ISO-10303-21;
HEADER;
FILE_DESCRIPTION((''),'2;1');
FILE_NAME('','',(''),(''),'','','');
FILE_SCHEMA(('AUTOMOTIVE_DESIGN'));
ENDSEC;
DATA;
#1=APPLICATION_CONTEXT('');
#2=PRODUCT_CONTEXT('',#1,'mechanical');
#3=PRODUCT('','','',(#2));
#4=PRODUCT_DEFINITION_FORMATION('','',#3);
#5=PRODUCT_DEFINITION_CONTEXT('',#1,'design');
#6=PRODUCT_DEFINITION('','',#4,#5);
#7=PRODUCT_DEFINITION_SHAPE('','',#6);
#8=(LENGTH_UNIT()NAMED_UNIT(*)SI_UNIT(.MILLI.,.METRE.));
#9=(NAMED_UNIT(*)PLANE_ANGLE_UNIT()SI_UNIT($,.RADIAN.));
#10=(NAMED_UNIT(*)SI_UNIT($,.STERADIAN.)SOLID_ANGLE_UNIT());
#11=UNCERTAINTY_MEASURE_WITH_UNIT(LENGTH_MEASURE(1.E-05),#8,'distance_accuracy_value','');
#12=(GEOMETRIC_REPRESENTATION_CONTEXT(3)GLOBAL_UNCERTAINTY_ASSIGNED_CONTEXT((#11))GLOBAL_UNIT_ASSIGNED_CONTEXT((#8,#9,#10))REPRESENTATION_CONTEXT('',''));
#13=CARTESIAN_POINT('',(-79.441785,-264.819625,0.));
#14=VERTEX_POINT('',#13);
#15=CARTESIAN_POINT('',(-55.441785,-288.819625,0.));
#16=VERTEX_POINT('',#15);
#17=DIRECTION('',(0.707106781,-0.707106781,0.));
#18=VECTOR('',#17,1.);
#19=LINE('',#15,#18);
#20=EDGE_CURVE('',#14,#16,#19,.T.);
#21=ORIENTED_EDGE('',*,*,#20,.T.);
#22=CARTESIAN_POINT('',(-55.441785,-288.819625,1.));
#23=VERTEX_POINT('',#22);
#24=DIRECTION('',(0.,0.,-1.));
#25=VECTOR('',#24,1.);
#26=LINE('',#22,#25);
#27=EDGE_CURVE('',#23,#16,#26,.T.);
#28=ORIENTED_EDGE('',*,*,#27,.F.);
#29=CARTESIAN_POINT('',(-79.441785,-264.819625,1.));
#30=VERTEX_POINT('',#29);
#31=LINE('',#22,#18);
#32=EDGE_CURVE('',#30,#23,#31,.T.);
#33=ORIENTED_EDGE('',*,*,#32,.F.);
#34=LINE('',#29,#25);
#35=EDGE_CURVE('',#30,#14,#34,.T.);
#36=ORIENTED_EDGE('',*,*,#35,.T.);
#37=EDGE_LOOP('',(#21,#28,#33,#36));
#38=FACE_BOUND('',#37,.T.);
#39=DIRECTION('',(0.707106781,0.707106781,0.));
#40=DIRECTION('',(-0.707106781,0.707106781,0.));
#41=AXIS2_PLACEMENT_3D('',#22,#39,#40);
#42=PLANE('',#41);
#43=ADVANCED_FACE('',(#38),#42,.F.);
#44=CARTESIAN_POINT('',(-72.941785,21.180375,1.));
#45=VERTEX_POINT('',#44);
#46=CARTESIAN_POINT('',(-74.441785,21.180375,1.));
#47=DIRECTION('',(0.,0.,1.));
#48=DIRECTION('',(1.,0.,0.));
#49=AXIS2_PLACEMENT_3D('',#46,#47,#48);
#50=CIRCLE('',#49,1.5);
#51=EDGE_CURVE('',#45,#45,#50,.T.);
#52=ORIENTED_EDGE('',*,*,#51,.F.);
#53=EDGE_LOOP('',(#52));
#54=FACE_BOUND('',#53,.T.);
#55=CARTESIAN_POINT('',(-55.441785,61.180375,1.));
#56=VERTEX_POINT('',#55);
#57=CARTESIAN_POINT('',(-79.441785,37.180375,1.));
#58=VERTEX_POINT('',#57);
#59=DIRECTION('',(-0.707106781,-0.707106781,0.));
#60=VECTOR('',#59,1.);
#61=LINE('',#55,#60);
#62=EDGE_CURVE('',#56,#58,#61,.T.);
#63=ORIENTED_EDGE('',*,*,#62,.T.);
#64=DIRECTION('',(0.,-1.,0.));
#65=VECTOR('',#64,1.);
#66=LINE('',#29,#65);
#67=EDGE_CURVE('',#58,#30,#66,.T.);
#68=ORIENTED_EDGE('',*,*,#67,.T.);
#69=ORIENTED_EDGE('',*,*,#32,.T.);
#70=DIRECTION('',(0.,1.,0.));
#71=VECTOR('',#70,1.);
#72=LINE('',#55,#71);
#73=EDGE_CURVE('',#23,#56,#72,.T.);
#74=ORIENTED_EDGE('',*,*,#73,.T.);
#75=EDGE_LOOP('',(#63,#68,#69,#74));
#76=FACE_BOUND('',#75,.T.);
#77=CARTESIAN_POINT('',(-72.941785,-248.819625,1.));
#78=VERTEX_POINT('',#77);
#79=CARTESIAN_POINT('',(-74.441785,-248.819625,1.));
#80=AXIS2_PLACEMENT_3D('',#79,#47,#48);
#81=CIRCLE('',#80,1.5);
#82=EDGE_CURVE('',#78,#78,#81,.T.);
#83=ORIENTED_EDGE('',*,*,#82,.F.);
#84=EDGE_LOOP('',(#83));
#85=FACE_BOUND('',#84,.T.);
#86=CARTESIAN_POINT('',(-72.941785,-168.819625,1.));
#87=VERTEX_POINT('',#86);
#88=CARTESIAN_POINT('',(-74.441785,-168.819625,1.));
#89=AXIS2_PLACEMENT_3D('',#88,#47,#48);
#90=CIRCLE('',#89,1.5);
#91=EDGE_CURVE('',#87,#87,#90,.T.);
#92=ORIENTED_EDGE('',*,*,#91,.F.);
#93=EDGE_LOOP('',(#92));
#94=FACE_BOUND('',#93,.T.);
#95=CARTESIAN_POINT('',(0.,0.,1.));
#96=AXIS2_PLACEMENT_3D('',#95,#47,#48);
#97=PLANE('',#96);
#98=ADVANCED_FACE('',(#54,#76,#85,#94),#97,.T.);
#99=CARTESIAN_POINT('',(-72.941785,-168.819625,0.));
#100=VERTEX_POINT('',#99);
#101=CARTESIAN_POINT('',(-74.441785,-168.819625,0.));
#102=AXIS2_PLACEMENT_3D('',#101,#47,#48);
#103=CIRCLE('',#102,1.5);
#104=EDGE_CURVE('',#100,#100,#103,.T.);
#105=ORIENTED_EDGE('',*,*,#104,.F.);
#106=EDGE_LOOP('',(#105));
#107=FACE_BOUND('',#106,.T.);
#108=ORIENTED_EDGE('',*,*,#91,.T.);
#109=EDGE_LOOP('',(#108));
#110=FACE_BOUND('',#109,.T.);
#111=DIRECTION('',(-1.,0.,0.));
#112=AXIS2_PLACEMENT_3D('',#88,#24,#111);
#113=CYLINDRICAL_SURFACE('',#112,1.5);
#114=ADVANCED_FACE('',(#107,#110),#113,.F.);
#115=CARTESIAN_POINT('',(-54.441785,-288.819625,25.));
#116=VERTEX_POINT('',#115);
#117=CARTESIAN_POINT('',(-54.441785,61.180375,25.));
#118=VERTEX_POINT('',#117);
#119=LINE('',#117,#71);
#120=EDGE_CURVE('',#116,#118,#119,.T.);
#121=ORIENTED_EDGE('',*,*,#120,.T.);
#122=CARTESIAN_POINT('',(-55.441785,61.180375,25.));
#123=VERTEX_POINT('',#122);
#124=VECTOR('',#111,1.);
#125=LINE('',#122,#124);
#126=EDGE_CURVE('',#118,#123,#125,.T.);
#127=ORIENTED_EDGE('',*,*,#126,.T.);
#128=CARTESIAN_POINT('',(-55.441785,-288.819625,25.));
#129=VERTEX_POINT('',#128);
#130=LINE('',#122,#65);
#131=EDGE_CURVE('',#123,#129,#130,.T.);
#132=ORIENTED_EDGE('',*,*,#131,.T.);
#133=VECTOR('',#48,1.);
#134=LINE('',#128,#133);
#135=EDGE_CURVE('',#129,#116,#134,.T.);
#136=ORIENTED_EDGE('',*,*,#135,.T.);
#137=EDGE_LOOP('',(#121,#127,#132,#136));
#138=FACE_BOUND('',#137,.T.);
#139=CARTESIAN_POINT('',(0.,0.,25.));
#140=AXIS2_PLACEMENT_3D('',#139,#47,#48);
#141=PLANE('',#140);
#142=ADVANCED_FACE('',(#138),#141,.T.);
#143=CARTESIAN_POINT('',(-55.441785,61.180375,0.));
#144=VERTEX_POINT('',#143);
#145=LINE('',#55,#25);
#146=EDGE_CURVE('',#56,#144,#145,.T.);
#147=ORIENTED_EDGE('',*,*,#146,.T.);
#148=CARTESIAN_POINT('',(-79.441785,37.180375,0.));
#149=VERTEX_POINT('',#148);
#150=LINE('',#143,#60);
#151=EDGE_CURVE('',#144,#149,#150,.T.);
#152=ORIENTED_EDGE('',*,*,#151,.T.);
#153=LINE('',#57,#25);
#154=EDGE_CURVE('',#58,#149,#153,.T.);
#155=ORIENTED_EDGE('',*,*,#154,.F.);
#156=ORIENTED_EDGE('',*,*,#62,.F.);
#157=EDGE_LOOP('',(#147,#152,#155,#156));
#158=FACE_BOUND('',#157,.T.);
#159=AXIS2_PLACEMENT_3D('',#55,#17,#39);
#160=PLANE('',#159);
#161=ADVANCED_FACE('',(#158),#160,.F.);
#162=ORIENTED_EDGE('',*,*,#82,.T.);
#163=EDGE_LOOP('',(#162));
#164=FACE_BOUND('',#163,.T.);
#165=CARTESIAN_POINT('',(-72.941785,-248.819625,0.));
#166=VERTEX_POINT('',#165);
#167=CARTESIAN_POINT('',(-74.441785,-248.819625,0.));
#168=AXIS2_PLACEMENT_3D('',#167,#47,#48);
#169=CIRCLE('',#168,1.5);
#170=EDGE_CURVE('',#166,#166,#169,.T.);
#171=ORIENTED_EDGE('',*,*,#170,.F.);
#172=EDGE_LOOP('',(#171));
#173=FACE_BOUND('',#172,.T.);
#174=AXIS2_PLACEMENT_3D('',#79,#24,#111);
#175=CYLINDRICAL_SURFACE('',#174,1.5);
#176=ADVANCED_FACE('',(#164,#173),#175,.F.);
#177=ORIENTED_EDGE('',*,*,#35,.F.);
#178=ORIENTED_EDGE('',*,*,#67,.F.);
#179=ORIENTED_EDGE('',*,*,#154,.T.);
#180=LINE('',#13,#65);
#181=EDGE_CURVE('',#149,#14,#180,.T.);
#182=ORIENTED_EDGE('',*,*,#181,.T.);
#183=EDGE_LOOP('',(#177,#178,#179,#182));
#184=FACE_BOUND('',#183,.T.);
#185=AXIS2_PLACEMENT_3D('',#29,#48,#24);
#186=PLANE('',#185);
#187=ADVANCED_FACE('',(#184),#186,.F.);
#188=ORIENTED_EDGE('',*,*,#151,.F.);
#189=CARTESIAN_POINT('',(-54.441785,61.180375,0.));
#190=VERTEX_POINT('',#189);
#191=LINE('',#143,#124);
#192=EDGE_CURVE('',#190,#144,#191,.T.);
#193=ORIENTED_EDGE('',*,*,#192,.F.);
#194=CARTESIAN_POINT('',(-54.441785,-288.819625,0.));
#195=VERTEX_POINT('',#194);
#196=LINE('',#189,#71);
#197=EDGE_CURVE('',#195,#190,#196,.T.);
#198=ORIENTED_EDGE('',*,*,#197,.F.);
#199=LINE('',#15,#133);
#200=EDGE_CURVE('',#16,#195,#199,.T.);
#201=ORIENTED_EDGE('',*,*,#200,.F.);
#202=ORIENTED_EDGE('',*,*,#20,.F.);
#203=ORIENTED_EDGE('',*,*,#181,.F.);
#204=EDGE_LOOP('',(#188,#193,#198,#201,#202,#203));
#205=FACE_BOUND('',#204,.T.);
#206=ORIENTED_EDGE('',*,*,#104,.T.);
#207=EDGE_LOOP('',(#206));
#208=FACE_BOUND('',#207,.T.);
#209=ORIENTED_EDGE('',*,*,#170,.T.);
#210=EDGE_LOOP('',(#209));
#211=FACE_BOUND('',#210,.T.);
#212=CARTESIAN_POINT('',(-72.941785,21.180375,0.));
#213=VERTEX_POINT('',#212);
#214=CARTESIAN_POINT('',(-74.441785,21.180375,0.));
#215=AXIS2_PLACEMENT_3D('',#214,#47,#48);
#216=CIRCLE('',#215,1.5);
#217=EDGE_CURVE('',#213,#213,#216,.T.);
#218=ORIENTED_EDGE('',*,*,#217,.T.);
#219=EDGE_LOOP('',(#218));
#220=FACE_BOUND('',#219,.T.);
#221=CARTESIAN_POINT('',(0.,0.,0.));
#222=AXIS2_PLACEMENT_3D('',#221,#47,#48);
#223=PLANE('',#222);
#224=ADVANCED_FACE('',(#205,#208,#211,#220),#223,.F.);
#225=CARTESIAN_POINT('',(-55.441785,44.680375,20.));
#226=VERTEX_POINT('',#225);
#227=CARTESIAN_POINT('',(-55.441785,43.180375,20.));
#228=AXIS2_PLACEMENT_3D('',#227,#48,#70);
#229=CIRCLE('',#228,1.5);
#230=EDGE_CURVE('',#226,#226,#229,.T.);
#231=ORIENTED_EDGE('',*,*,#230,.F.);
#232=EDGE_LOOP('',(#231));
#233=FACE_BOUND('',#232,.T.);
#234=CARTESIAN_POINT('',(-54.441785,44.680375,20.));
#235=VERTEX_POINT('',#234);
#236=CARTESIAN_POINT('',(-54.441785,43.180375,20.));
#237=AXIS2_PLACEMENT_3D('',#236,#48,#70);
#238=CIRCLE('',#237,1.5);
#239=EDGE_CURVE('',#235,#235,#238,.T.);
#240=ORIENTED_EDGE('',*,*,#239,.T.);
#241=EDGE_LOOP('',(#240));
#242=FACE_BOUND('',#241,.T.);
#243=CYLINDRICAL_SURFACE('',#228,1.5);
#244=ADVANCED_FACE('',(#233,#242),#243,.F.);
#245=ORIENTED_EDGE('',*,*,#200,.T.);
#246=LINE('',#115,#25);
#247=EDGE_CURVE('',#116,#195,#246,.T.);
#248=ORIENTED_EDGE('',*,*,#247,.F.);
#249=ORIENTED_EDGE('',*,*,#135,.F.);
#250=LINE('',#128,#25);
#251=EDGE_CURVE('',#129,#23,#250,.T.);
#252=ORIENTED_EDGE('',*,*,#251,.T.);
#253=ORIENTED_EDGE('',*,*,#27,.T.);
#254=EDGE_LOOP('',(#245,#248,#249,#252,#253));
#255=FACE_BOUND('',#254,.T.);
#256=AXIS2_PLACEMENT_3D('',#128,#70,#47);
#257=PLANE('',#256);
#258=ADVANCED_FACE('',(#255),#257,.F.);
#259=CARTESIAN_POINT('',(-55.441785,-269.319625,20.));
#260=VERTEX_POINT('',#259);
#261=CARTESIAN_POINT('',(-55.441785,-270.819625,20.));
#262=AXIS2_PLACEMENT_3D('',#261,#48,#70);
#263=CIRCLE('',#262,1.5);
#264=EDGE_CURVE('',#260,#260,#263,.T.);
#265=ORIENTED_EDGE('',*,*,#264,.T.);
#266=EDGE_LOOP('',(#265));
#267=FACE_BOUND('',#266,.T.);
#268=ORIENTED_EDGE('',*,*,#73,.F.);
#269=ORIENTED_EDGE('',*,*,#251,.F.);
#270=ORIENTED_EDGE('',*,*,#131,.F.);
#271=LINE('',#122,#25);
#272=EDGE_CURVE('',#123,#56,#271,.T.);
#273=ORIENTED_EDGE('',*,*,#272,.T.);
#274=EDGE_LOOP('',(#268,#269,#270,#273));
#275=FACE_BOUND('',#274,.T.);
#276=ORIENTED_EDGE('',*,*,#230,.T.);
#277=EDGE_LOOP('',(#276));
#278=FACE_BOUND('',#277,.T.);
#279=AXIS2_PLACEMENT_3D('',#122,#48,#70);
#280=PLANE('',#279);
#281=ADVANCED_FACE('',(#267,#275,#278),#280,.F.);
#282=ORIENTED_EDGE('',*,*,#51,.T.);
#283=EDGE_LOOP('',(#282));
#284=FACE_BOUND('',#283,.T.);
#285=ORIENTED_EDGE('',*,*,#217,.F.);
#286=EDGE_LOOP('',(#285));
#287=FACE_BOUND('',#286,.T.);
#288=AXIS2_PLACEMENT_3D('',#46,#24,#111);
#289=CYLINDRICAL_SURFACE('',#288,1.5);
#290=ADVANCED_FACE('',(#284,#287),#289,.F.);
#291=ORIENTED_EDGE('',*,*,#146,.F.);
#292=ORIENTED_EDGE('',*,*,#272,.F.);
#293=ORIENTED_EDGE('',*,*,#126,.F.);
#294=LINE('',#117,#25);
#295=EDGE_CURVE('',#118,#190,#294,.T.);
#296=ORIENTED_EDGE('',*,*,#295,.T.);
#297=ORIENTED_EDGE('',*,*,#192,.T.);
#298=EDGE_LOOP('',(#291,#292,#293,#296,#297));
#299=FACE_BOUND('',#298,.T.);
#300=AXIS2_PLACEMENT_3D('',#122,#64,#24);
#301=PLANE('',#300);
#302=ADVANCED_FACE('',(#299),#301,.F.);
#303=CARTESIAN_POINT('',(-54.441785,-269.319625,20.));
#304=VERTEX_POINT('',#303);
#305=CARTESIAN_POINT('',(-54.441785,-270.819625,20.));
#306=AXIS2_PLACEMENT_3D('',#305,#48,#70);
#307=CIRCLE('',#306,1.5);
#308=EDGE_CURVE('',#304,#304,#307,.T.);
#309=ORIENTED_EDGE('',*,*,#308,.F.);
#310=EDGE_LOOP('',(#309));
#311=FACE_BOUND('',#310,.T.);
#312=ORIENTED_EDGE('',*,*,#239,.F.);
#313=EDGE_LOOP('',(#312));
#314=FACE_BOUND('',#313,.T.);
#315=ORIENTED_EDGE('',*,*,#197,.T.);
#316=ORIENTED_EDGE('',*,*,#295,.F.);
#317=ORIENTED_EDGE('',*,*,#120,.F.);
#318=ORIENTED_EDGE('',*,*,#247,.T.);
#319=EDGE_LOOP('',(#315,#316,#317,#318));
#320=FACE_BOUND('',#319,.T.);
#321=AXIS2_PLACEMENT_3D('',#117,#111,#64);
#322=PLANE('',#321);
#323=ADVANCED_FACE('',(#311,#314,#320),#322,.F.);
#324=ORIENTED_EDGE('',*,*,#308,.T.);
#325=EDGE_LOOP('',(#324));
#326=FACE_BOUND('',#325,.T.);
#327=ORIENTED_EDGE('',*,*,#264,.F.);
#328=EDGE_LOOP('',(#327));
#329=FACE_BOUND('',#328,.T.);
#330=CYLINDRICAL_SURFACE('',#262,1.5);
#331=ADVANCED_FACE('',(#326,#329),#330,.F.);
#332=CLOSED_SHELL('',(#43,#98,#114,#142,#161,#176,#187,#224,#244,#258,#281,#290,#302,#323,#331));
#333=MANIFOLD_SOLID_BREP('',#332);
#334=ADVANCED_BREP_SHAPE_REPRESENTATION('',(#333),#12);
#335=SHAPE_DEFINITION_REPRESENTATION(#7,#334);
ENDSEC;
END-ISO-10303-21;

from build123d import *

# Parameters (mm, degrees)
CROQUIS2_W              = 1
CROQUIS2_H              = 350
SALIENTE_EXTRUIR2_DEPTH = 25
CROQUIS5_R              = 1.5
CORTAR_EXTRUIR2_DEPTH   = 1
CROQUIS1_R              = 1.5
SALIENTE_EXTRUIR3_DEPTH = 1


with BuildPart() as part:
    # Croquis2 → Saliente-Extruir2 (new body)
    with BuildSketch(Plane.XY):
        with Locations((-54.941785307, -113.819624774)):
            Rectangle(CROQUIS2_W, CROQUIS2_H)
    extrude(amount=SALIENTE_EXTRUIR2_DEPTH)

    # Croquis5 → Cortar-Extruir2 (cut)
    with BuildSketch(Plane(origin=(-54.441785307, 0, 0), x_dir=(0, 0, -1), z_dir=(1, 0, 0))):
        with Locations((-20, 43.180375226)):
            Circle(CROQUIS5_R)
        with Locations((-20, -270.819624774)):
            Circle(CROQUIS5_R)
    extrude(amount=-CORTAR_EXTRUIR2_DEPTH, mode=Mode.SUBTRACT)

    # Croquis1 → Saliente-Extruir3 (add)
    with BuildSketch(Plane.XY):
        Polygon((-55.441785307, 61.180375226), (-79.441785307, 37.180375226), (-79.441785307, -264.819624774), (-55.441785307, -288.819624774), align=None)
        with Locations((-74.441785307, 21.180375226)):
            Circle(CROQUIS1_R, mode=Mode.SUBTRACT)
        with Locations((-74.441785307, -248.819624774)):
            Circle(CROQUIS1_R, mode=Mode.SUBTRACT)
        with Locations((-74.441785307, -168.819624774)):
            Circle(CROQUIS1_R, mode=Mode.SUBTRACT)
    extrude(amount=SALIENTE_EXTRUIR3_DEPTH)


solid = part.part
